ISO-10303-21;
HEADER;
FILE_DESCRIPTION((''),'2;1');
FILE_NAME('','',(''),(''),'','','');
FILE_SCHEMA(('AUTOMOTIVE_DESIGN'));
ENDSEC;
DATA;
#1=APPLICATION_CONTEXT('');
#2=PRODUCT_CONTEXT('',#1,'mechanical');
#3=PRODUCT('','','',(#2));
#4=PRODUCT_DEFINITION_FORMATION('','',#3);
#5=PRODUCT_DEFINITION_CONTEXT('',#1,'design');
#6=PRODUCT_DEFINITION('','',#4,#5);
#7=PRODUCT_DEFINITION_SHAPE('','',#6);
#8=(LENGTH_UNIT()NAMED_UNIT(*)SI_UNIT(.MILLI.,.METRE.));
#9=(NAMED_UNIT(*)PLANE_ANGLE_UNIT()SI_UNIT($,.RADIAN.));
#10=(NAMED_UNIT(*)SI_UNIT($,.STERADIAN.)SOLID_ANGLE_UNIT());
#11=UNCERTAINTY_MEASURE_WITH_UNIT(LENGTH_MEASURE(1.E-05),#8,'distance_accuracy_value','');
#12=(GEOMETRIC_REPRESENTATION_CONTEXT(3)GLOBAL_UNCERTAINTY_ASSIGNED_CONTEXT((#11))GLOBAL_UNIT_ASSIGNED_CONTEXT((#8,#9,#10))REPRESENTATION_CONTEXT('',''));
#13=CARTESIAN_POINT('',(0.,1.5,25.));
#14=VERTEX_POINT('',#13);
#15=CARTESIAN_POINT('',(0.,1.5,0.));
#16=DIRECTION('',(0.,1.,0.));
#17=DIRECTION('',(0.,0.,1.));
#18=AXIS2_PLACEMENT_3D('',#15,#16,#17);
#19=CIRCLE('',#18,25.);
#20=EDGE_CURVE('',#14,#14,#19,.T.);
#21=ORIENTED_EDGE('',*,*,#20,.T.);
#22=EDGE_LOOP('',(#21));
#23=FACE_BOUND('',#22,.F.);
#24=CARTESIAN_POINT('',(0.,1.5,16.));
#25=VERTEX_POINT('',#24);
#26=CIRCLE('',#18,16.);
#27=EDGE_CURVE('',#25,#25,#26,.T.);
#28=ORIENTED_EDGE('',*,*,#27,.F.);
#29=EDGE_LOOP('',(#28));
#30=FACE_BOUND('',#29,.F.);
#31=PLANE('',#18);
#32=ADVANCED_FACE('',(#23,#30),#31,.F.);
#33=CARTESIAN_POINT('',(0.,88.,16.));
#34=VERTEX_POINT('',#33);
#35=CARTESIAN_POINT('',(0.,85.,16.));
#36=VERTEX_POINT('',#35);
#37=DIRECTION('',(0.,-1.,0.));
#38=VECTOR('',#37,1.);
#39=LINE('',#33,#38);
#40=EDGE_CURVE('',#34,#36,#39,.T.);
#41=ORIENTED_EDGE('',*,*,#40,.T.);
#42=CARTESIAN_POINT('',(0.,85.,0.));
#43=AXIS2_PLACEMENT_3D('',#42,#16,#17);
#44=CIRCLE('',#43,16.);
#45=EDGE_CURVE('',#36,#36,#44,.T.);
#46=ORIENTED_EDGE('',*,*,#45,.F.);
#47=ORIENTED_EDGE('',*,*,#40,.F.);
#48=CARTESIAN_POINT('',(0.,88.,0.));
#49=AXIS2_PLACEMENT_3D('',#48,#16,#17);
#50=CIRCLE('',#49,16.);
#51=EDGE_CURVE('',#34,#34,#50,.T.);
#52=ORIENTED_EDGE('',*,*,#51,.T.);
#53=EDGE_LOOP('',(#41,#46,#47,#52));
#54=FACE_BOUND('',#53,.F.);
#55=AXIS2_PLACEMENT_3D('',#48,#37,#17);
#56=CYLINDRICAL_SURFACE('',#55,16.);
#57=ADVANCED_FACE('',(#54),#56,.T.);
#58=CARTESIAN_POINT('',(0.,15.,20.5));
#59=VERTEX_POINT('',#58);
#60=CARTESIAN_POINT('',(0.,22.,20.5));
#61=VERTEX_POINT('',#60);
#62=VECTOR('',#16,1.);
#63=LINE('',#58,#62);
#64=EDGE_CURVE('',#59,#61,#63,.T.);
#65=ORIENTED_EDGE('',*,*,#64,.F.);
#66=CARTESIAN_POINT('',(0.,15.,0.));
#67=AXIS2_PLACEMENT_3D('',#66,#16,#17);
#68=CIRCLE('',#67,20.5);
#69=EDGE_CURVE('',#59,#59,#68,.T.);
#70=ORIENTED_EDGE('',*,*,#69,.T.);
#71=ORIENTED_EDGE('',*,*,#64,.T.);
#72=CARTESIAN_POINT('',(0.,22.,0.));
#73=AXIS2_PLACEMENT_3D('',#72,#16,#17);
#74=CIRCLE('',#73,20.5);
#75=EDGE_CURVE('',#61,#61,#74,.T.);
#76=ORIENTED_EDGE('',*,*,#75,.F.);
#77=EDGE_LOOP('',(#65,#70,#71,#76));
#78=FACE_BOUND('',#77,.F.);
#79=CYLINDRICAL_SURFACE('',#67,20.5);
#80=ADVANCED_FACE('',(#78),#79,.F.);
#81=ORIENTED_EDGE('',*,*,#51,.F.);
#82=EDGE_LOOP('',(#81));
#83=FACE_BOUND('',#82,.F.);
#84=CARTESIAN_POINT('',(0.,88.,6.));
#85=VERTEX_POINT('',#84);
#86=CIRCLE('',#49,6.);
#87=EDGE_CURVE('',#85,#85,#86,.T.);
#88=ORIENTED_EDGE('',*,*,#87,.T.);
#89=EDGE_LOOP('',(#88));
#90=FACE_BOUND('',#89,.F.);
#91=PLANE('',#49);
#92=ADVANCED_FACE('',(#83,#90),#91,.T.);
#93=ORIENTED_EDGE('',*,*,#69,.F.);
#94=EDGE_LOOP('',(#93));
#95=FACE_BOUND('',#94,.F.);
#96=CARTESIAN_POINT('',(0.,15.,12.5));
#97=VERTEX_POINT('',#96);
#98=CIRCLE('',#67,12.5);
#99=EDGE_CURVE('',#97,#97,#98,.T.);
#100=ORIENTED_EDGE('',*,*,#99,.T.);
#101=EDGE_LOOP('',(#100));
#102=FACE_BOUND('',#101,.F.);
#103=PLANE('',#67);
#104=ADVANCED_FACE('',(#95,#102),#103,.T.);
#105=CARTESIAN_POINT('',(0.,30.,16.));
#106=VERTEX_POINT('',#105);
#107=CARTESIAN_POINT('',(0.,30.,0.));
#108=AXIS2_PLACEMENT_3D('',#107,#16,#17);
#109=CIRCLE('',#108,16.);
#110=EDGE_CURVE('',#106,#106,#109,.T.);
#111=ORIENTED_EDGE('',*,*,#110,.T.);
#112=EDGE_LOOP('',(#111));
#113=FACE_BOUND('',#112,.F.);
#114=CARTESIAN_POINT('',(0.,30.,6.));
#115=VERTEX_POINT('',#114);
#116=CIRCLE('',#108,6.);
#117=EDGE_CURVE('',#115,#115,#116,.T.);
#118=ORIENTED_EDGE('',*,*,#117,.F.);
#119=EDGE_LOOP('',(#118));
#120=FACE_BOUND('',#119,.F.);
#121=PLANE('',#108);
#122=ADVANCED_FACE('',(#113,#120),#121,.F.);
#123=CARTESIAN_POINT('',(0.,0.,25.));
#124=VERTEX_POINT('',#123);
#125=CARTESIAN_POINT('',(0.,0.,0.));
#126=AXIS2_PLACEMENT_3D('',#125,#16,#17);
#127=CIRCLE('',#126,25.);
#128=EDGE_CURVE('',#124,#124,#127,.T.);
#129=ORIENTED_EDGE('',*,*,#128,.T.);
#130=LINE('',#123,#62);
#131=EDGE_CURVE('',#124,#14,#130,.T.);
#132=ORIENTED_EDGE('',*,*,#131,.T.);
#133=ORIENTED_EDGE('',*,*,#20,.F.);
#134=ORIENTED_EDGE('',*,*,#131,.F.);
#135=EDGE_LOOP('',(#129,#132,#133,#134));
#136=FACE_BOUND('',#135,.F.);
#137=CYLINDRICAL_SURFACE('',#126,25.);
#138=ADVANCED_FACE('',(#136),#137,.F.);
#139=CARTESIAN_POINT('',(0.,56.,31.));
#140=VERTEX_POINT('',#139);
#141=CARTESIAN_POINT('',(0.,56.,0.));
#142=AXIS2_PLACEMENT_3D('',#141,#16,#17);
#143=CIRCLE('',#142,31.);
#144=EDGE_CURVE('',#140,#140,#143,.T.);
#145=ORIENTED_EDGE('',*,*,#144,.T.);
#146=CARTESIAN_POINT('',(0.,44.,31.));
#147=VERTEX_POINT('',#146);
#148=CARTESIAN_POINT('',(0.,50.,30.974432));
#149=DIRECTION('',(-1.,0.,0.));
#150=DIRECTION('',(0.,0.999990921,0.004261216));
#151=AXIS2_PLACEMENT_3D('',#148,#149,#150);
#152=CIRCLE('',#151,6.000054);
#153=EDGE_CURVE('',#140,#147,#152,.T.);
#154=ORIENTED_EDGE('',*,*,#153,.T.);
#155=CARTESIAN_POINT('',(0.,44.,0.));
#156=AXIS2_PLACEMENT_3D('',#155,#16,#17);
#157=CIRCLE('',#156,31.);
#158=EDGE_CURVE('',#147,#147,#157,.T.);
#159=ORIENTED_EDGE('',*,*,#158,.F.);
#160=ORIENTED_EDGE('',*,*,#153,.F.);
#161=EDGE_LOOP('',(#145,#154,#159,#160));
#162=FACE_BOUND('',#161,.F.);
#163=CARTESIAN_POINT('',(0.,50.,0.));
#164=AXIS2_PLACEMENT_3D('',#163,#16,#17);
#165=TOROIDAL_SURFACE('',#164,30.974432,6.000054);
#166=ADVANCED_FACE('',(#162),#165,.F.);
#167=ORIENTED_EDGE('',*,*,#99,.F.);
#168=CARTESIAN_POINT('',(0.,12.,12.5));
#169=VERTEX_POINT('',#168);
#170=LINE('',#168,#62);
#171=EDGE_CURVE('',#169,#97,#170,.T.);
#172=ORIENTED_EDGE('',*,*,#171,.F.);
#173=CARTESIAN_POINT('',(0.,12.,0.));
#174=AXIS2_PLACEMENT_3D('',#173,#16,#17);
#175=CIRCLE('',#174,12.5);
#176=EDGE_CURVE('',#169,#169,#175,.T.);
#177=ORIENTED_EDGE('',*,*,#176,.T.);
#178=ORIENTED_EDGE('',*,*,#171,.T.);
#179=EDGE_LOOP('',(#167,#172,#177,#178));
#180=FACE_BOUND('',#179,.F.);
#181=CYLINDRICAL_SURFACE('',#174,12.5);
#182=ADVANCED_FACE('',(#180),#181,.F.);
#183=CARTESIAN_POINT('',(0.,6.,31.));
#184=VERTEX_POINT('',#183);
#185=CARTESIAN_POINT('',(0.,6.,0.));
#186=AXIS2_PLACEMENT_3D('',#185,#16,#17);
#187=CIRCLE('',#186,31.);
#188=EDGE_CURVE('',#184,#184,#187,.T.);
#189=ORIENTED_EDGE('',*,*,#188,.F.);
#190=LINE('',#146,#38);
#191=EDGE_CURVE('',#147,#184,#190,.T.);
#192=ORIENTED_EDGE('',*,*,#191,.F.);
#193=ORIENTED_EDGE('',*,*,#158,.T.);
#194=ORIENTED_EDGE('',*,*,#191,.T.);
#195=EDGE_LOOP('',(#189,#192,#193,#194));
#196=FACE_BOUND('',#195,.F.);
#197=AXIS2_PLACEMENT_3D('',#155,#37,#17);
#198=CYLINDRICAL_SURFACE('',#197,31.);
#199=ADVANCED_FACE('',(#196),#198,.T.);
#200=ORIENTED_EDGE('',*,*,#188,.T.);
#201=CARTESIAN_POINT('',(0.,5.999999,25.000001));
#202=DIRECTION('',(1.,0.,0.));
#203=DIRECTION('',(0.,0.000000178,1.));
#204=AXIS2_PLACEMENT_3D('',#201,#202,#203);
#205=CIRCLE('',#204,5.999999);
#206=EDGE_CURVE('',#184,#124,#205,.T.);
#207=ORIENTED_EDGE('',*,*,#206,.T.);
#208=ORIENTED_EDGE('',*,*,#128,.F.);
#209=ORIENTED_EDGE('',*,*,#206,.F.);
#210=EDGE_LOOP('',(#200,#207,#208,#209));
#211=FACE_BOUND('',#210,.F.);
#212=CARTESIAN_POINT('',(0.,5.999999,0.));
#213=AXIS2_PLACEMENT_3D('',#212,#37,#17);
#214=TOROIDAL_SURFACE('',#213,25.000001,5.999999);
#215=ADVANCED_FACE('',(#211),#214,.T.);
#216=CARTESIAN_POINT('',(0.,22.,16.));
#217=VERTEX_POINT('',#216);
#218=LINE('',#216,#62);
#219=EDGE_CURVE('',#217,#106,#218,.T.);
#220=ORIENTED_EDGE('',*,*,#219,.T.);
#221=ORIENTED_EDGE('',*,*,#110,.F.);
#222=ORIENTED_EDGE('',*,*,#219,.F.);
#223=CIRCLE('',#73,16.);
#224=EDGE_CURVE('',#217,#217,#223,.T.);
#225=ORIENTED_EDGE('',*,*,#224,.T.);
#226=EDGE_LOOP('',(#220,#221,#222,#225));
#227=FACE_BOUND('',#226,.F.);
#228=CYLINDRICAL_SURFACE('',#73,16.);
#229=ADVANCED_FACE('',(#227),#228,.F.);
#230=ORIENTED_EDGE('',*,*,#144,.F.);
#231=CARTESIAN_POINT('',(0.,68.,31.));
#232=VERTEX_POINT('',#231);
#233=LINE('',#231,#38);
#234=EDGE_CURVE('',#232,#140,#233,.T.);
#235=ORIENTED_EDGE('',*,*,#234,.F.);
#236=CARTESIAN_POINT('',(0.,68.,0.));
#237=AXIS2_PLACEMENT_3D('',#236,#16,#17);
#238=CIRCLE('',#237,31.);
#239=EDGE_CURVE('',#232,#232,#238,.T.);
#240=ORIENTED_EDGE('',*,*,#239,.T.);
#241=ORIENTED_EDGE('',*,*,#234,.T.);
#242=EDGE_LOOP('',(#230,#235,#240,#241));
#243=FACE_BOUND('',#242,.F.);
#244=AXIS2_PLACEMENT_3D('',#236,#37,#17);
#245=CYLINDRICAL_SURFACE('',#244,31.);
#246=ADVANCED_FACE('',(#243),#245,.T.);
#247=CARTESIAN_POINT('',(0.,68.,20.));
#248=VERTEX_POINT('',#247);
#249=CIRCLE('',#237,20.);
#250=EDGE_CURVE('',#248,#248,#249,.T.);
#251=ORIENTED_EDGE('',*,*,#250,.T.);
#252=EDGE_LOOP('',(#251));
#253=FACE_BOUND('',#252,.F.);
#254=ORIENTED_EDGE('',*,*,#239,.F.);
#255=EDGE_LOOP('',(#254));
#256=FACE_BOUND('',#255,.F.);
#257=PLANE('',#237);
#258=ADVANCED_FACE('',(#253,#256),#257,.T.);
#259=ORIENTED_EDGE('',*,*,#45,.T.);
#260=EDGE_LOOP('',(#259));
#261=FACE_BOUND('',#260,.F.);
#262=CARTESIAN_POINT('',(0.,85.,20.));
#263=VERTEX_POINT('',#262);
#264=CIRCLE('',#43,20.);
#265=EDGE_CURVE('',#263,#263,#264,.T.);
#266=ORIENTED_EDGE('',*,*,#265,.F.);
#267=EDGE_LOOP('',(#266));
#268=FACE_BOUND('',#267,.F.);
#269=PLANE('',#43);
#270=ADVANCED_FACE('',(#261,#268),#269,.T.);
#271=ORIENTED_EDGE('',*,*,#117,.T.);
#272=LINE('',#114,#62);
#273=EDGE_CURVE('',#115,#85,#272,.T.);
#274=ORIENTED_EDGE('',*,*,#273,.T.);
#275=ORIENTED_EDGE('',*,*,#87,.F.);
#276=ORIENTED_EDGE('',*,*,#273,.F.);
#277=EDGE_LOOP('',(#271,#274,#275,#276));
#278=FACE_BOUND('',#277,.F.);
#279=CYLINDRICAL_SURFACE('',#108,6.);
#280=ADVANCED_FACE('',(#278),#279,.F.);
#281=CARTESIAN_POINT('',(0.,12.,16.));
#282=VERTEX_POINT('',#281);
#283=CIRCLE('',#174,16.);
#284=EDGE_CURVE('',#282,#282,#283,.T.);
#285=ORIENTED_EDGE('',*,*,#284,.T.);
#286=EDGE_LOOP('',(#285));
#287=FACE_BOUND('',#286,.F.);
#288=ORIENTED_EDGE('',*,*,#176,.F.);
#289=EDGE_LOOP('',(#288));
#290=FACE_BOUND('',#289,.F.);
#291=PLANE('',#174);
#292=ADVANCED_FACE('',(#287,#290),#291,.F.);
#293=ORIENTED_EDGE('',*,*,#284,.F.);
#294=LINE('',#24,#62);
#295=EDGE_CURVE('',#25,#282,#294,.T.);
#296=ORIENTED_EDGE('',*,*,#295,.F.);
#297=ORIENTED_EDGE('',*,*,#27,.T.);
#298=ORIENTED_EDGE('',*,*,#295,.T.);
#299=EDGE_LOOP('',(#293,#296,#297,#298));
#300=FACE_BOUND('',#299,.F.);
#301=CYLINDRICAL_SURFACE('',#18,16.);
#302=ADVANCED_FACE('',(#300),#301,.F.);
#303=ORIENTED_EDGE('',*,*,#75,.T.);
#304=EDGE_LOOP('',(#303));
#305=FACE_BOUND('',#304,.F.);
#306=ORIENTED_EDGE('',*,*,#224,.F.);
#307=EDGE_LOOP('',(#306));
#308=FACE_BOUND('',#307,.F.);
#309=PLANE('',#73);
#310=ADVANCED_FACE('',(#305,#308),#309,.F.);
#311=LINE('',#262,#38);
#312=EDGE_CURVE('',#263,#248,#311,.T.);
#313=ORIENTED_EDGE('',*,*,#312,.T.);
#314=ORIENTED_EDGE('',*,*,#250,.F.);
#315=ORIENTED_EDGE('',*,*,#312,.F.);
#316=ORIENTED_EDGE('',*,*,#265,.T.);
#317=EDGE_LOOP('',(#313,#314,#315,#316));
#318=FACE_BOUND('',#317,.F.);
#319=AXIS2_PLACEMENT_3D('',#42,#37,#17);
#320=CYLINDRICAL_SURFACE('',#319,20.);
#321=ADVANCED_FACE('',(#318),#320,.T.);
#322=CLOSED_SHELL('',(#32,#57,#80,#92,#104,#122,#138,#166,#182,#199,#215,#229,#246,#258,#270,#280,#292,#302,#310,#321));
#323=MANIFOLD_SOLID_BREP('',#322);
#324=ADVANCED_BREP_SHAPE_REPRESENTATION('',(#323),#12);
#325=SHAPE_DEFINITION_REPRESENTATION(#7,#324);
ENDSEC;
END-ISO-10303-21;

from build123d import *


with BuildPart() as f1:
    # F0 (on Right) → F1 (revolve)
    with BuildSketch(Plane.YZ):
        with BuildLine():
            Line((44, 31), (6, 31))
            ThreePointArc((6, 31), (1.757359, 29.242641), (0, 25))
            Line((0, 25), (1.5, 25))
            Line((1.5, 25), (1.5, 16))
            Line((1.5, 16), (12, 16))
            Line((12, 16), (12, 12.5))
            Line((12, 12.5), (15, 12.5))
            Line((15, 12.5), (15, 20.5))
            Line((15, 20.5), (22, 20.5))
            Line((22, 20.5), (22, 16))
            Line((22, 16), (30, 16))
            Line((30, 16), (30, 6))
            Line((30, 6), (88, 6))
            Line((88, 6), (88, 16))
            Line((88, 16), (85, 16))
            Line((85, 16), (85, 20))
            Line((85, 20), (68, 20))
            Line((68, 20), (68, 31))
            Line((68, 31), (56, 31))
            ThreePointArc((56, 31), (50, 24.974378), (44, 31))
        make_face()
    revolve(axis=Axis((0, 44, 0), (0, 1, 0)))


solid = f1.part
